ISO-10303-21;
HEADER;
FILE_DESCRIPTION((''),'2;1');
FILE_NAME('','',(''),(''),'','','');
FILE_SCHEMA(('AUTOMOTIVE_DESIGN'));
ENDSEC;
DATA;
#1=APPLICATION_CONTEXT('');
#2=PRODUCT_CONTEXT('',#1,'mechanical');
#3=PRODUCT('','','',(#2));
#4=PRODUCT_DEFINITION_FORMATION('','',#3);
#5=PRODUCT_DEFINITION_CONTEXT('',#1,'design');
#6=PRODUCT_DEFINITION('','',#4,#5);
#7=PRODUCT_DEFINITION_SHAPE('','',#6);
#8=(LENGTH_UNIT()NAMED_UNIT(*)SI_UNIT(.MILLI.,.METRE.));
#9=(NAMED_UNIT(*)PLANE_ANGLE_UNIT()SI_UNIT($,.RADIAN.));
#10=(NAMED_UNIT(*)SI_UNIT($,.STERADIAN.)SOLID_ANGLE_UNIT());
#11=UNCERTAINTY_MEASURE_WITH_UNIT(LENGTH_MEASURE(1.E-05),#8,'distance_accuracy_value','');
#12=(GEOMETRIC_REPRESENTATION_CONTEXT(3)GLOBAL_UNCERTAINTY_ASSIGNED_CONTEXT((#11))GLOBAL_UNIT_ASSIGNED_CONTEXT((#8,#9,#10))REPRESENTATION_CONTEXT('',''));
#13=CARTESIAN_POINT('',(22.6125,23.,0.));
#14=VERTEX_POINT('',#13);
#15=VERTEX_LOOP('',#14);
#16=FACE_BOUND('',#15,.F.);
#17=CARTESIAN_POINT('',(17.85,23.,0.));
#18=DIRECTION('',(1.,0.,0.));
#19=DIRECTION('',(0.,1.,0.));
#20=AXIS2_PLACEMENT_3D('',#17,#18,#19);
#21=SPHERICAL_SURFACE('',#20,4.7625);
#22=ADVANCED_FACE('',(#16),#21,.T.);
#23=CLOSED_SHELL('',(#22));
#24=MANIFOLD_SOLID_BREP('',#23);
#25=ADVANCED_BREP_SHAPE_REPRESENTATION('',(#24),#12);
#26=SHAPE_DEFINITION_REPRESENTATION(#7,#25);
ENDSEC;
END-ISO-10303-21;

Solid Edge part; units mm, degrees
sketch "Sketch1" plane through (0, 0, 0) normal (0, 0, 1) x (1, 0, 0)
  arc A0 (13.0875, 23) -> (22.6125, 23) centre (17.85, 23) cw
  line L0 (22.6125, 23) -> (13.0875, 23)
revolve "RevolvedProtrusion1" add sketch "Sketch1" angle 360 about axis through (22.6125, 23, 0) along (-1, 0, 0)
properties part number "3206 A-2RS1_PART4"
